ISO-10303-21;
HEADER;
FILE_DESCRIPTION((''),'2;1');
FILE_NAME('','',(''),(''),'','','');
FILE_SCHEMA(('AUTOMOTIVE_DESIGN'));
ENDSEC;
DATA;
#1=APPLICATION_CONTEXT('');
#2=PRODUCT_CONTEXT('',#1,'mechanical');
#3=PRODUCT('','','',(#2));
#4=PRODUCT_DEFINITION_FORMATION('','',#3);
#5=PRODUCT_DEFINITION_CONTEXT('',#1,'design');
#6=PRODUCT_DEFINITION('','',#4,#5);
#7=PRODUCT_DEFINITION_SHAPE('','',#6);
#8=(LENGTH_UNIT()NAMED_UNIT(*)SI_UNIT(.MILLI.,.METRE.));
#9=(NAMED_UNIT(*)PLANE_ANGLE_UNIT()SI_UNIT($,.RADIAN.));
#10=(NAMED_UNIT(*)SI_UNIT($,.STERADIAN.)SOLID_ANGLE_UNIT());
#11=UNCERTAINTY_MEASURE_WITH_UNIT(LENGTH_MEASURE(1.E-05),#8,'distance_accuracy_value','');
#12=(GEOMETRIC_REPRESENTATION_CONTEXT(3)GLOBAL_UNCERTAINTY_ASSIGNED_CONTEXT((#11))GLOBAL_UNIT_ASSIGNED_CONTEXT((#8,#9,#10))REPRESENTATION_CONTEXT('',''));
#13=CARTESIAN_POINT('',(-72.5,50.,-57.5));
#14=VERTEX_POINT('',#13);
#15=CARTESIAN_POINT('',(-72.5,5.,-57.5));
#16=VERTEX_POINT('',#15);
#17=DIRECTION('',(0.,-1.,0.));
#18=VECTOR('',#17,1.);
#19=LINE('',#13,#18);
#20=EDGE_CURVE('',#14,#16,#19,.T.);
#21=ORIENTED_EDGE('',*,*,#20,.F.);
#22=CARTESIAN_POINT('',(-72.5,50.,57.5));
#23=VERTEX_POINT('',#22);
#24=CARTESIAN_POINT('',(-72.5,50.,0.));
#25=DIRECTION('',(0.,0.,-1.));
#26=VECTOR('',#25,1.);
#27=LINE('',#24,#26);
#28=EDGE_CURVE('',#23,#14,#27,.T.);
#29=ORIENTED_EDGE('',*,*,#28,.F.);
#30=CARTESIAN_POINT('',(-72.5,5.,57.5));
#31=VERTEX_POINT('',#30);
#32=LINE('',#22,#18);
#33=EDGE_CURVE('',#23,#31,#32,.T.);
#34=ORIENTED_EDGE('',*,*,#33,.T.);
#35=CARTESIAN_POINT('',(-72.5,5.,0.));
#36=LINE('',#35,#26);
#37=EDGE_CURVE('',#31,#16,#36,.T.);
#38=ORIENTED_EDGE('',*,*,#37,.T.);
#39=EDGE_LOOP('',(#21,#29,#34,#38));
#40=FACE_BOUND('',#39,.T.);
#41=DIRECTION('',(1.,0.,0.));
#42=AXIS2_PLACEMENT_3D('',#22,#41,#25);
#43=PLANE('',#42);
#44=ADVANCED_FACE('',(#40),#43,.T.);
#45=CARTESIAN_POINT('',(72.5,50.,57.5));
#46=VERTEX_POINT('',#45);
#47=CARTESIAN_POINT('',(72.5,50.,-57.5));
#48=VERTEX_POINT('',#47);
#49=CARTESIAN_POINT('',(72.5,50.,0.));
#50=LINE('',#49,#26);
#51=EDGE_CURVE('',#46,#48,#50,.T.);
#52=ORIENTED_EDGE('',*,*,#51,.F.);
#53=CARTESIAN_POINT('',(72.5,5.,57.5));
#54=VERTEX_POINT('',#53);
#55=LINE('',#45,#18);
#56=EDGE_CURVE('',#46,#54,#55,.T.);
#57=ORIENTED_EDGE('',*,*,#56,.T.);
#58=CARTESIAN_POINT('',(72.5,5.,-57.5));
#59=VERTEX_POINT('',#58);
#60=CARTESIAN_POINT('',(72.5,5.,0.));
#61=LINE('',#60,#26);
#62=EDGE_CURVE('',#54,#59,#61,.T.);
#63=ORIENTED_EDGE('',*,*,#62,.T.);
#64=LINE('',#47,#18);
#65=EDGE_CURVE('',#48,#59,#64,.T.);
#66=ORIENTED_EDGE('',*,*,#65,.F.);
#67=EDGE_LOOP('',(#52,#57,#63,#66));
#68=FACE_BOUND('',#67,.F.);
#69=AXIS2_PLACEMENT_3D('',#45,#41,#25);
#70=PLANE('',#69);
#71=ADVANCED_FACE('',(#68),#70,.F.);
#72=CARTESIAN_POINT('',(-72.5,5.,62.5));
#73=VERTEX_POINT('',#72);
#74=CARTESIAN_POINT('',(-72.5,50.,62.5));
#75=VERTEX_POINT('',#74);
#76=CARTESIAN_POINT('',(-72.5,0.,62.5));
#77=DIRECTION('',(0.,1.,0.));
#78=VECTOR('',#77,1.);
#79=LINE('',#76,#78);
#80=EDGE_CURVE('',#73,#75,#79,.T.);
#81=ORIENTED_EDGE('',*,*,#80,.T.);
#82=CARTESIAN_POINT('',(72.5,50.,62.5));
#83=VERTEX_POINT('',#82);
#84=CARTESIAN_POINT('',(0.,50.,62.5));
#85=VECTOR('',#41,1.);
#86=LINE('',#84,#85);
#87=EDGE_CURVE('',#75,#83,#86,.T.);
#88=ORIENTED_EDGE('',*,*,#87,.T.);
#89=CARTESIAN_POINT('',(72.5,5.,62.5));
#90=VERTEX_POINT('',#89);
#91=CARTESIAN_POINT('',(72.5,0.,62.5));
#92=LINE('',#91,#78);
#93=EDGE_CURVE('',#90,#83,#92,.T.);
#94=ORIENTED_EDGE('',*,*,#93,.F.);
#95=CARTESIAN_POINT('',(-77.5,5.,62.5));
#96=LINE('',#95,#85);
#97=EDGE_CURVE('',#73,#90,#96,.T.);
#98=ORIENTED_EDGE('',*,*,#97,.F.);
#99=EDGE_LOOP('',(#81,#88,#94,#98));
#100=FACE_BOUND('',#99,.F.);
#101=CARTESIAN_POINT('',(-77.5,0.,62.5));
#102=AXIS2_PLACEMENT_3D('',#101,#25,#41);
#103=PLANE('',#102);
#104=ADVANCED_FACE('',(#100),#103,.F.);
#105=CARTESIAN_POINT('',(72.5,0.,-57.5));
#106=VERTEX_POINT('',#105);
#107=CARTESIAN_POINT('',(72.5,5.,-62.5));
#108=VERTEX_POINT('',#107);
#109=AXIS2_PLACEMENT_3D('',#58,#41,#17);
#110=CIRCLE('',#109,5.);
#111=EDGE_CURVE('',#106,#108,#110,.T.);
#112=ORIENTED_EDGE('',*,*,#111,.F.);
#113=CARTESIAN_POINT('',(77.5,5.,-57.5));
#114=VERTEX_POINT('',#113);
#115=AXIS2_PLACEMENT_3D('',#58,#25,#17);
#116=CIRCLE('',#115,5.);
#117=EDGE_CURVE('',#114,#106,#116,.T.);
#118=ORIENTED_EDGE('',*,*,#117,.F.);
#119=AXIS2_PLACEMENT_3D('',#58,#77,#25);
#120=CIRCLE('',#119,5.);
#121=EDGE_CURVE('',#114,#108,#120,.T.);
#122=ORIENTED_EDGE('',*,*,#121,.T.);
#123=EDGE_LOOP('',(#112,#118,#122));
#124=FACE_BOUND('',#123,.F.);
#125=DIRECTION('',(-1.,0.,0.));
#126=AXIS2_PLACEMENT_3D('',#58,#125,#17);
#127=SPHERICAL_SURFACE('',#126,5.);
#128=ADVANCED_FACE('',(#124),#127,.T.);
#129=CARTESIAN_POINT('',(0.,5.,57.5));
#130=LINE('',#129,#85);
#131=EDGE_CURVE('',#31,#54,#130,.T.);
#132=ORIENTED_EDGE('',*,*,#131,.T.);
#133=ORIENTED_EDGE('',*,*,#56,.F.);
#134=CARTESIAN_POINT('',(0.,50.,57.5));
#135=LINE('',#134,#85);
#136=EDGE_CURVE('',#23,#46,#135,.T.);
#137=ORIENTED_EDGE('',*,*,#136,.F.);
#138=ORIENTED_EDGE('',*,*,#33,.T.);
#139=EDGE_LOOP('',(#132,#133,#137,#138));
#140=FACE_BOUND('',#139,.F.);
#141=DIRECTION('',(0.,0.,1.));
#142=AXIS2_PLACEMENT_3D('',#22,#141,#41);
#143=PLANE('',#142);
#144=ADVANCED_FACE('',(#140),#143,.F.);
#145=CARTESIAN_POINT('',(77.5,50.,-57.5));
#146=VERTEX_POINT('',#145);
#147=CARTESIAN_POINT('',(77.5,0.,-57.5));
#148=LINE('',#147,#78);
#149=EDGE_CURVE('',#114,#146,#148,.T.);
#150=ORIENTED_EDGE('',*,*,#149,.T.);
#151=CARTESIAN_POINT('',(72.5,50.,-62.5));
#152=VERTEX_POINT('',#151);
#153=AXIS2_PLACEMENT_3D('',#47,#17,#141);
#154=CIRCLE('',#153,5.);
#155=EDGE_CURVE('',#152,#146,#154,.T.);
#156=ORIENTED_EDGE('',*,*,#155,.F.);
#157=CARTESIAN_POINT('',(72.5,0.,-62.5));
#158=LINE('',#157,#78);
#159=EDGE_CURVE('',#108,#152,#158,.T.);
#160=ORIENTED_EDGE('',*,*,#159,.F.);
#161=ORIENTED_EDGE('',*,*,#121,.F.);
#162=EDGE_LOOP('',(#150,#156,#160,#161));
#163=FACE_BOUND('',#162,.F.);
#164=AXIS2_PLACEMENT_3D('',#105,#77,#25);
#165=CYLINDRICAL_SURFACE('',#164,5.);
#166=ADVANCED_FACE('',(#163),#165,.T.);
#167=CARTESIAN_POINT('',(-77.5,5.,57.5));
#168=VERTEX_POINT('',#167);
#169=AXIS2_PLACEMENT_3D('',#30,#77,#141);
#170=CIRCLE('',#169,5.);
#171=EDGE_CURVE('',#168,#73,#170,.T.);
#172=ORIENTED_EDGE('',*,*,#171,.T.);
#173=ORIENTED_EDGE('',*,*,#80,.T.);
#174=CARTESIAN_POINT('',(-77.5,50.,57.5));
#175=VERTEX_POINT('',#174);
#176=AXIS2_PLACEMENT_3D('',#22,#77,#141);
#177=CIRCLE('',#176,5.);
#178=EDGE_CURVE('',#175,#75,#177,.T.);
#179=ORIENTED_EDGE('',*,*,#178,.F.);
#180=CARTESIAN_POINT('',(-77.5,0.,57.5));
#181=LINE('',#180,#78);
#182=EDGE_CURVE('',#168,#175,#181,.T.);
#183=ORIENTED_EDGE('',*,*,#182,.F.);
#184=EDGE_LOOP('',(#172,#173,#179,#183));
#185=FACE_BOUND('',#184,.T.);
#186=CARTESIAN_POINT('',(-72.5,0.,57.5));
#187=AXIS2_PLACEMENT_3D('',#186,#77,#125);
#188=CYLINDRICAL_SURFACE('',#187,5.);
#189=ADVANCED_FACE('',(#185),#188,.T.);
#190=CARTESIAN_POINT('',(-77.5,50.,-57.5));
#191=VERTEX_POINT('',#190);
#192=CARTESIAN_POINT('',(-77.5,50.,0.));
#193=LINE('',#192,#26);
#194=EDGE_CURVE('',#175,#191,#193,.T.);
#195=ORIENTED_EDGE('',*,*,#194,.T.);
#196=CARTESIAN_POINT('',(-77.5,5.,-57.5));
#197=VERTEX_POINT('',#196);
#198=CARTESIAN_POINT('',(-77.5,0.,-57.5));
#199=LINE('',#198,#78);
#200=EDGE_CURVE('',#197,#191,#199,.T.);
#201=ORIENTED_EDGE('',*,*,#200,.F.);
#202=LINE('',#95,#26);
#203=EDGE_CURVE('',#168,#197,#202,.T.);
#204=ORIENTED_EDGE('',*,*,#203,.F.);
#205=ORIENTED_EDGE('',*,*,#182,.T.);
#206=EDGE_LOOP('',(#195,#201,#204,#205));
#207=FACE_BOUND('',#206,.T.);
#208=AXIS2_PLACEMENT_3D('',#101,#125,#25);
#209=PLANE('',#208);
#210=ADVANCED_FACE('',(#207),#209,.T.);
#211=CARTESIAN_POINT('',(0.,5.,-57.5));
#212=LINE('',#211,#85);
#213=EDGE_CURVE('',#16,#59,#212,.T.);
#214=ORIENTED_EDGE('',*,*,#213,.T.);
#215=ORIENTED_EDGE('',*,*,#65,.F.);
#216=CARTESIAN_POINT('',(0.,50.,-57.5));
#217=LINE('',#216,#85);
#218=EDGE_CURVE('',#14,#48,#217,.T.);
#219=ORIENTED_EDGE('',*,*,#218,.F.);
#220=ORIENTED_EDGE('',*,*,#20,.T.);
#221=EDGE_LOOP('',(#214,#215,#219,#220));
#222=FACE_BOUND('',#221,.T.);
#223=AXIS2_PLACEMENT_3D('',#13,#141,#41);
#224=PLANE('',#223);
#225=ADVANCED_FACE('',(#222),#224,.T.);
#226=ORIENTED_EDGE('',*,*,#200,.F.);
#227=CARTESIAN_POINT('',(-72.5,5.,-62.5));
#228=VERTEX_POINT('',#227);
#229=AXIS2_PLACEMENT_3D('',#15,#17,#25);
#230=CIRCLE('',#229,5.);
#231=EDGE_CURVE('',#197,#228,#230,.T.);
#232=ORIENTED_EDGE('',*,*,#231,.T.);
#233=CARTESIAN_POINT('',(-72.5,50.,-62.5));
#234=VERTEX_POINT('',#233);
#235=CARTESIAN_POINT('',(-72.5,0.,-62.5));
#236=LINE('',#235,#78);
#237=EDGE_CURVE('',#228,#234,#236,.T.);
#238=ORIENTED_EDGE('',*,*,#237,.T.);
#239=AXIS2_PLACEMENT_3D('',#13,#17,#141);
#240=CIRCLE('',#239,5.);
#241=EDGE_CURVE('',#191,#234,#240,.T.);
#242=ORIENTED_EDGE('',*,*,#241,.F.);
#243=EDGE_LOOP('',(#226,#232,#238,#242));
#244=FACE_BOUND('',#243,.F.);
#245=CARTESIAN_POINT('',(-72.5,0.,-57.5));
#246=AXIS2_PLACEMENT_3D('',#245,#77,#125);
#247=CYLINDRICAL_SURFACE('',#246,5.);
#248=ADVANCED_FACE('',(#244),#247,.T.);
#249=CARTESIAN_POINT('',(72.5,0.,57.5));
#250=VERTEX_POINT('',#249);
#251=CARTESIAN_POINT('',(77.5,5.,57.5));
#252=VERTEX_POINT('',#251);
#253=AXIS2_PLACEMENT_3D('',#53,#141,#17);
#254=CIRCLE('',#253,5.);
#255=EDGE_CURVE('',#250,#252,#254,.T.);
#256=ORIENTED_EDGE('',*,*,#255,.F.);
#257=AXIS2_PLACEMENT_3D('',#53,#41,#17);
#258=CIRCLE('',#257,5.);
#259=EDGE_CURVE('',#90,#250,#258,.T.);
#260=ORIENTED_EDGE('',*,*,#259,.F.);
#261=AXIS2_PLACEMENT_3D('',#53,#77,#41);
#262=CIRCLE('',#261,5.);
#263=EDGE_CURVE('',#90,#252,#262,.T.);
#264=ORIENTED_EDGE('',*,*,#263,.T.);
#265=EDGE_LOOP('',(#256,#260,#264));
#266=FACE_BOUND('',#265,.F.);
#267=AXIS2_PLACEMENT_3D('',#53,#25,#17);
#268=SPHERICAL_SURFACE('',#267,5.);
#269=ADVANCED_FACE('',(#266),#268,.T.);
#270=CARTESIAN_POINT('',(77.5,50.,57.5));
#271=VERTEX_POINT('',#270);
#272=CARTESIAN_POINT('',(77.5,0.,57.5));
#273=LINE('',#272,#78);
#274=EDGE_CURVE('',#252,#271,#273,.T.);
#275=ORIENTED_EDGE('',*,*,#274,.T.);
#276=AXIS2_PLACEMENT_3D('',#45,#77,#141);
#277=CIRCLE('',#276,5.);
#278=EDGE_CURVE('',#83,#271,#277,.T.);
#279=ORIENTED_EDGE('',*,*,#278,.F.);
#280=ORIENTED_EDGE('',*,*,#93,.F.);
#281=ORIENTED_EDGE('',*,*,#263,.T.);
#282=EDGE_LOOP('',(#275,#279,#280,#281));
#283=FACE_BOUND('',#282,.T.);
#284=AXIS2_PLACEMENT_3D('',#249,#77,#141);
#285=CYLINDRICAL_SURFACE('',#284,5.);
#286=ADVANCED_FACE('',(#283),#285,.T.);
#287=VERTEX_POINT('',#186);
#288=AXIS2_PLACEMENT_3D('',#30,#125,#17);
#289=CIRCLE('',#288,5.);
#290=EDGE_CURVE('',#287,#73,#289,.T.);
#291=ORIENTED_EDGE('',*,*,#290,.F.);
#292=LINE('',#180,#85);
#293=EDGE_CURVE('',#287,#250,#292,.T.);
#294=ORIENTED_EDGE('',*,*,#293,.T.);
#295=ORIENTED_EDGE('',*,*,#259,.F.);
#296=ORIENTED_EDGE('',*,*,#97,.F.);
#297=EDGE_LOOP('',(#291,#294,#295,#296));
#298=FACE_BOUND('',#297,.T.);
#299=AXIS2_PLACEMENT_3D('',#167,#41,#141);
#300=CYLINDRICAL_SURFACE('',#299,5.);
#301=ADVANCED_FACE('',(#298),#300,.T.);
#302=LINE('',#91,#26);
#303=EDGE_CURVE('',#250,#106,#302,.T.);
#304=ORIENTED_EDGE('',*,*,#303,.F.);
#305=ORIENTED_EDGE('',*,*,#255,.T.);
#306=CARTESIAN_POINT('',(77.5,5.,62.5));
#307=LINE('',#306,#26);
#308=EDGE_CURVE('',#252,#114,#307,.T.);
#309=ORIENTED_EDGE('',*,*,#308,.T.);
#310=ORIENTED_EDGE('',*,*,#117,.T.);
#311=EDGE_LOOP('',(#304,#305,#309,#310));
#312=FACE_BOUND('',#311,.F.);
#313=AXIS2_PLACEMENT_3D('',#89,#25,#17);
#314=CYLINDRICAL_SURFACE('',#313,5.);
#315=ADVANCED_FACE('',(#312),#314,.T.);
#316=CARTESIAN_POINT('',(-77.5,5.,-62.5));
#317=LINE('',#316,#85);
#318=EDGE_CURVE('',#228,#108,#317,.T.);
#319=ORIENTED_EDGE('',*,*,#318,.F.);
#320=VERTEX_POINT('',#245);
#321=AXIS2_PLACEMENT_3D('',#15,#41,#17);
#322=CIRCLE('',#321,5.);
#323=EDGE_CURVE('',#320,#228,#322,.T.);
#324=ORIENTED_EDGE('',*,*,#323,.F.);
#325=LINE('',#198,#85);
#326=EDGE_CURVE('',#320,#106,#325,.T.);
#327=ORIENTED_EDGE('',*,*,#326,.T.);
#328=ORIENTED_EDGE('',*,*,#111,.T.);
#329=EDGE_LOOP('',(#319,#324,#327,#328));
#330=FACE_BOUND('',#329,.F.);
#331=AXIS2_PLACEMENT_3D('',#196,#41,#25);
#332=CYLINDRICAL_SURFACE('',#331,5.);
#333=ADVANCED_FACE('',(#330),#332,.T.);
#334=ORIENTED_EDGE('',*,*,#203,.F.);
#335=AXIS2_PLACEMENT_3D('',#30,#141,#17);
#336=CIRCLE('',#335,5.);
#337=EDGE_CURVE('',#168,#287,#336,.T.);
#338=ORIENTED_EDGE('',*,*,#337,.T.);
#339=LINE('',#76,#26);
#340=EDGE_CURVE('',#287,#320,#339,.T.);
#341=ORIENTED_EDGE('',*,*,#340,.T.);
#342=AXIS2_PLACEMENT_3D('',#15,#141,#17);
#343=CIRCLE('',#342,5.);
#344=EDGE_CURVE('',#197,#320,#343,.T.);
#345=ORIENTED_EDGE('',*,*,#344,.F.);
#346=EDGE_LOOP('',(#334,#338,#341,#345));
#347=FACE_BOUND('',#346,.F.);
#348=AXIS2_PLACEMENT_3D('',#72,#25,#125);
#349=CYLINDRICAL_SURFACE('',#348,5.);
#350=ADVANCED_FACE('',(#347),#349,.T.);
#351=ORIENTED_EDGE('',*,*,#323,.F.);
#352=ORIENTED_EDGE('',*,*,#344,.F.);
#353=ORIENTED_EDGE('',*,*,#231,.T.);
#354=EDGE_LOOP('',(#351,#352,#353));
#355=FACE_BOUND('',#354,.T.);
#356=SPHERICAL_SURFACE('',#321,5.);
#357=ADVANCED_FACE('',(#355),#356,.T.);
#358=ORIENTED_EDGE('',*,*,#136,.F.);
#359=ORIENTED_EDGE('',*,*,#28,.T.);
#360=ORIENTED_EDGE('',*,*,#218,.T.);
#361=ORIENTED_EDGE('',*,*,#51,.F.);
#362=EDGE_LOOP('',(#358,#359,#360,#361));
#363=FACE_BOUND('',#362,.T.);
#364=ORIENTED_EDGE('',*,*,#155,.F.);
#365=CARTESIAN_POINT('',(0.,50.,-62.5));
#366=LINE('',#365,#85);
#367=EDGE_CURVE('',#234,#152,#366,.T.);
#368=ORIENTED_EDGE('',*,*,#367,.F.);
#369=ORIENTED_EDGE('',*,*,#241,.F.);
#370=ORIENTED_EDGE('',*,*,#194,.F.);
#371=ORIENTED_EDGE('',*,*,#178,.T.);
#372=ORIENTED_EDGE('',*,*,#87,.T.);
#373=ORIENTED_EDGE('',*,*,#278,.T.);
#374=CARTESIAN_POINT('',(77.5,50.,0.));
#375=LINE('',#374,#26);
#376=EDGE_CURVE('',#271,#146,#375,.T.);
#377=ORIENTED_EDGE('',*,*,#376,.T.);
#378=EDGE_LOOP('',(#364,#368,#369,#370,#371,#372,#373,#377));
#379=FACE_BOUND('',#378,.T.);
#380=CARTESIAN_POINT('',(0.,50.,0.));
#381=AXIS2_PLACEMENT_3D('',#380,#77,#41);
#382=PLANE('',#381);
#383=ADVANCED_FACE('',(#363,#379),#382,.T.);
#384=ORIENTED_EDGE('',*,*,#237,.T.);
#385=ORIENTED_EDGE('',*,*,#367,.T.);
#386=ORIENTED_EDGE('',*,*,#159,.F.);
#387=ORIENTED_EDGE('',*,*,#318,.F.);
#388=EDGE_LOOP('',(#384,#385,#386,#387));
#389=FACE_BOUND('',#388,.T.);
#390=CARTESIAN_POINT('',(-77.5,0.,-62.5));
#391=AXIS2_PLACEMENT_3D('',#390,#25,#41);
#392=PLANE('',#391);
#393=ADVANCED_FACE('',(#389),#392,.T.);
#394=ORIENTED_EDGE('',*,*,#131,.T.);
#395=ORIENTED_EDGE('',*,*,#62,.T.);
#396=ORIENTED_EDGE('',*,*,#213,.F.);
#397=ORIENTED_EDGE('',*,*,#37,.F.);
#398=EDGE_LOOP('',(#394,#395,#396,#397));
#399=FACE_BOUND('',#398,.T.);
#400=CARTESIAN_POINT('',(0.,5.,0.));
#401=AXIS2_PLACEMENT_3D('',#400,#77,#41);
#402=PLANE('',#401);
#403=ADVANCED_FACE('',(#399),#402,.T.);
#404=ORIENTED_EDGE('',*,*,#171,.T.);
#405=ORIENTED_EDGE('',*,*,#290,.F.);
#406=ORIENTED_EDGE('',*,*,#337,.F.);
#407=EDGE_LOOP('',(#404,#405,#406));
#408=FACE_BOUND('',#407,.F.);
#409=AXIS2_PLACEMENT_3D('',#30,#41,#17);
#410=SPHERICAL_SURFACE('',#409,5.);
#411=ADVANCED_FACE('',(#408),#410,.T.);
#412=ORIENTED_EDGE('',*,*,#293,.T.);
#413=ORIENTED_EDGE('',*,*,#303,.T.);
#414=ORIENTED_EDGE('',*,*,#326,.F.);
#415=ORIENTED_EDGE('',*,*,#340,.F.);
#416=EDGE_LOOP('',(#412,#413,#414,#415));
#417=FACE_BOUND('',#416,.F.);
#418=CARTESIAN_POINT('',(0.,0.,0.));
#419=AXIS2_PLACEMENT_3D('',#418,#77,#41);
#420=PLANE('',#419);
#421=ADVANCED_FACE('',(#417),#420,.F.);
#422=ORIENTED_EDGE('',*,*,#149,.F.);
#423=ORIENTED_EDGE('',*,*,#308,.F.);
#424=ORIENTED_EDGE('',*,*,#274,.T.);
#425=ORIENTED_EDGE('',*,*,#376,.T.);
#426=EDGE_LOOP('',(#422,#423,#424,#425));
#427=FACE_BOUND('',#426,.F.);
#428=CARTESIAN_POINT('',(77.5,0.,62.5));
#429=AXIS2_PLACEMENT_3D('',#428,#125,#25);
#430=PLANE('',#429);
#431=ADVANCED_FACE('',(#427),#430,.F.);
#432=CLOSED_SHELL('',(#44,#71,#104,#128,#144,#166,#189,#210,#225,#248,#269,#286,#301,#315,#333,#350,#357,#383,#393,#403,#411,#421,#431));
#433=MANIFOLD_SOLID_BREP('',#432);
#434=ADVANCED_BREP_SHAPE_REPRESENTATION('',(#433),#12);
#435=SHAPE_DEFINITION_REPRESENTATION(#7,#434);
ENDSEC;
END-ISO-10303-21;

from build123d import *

# Parameters (mm, degrees)
ESQUISSE3_W             = 155
ESQUISSE3_H             = 125
BOSS_EXTRU_1_DEPTH      = 50
ESQUISSE4_W             = 145
ESQUISSE4_H             = 115
ENL_V_MAT_EXTRU_1_DEPTH = 45
CONG_1_R                = 5


with BuildPart() as part:
    # Esquisse3 → Boss.-Extru.1 (new body)
    with BuildSketch(Plane(origin=(0, 0, 0), x_dir=(1, 0, 0), z_dir=(0, 1, 0))):
        Rectangle(ESQUISSE3_W, ESQUISSE3_H)
    extrude(amount=BOSS_EXTRU_1_DEPTH)

    # Esquisse4 → Enlèv. mat.-Extru.1 (cut)
    with BuildSketch(Plane(origin=(0, 50, 0), x_dir=(1, 0, 0), z_dir=(0, 1, 0))):
        Rectangle(ESQUISSE4_W, ESQUISSE4_H)
    extrude(amount=-ENL_V_MAT_EXTRU_1_DEPTH, mode=Mode.SUBTRACT)

    # Congé1
    cong_1_edges = [part.edges().sort_by_distance(p)[0] for p in [
        (0, 0, -62.5),
        (77.5, 0, 0),
        (0, 0, 62.5),
        (-77.5, 0, 0),
        (-77.5, 25, -62.5),
        (77.5, 25, -62.5),
        (77.5, 25, 62.5),
        (-77.5, 25, 62.5),
    ]]
    fillet(cong_1_edges, radius=CONG_1_R)


solid = part.part
